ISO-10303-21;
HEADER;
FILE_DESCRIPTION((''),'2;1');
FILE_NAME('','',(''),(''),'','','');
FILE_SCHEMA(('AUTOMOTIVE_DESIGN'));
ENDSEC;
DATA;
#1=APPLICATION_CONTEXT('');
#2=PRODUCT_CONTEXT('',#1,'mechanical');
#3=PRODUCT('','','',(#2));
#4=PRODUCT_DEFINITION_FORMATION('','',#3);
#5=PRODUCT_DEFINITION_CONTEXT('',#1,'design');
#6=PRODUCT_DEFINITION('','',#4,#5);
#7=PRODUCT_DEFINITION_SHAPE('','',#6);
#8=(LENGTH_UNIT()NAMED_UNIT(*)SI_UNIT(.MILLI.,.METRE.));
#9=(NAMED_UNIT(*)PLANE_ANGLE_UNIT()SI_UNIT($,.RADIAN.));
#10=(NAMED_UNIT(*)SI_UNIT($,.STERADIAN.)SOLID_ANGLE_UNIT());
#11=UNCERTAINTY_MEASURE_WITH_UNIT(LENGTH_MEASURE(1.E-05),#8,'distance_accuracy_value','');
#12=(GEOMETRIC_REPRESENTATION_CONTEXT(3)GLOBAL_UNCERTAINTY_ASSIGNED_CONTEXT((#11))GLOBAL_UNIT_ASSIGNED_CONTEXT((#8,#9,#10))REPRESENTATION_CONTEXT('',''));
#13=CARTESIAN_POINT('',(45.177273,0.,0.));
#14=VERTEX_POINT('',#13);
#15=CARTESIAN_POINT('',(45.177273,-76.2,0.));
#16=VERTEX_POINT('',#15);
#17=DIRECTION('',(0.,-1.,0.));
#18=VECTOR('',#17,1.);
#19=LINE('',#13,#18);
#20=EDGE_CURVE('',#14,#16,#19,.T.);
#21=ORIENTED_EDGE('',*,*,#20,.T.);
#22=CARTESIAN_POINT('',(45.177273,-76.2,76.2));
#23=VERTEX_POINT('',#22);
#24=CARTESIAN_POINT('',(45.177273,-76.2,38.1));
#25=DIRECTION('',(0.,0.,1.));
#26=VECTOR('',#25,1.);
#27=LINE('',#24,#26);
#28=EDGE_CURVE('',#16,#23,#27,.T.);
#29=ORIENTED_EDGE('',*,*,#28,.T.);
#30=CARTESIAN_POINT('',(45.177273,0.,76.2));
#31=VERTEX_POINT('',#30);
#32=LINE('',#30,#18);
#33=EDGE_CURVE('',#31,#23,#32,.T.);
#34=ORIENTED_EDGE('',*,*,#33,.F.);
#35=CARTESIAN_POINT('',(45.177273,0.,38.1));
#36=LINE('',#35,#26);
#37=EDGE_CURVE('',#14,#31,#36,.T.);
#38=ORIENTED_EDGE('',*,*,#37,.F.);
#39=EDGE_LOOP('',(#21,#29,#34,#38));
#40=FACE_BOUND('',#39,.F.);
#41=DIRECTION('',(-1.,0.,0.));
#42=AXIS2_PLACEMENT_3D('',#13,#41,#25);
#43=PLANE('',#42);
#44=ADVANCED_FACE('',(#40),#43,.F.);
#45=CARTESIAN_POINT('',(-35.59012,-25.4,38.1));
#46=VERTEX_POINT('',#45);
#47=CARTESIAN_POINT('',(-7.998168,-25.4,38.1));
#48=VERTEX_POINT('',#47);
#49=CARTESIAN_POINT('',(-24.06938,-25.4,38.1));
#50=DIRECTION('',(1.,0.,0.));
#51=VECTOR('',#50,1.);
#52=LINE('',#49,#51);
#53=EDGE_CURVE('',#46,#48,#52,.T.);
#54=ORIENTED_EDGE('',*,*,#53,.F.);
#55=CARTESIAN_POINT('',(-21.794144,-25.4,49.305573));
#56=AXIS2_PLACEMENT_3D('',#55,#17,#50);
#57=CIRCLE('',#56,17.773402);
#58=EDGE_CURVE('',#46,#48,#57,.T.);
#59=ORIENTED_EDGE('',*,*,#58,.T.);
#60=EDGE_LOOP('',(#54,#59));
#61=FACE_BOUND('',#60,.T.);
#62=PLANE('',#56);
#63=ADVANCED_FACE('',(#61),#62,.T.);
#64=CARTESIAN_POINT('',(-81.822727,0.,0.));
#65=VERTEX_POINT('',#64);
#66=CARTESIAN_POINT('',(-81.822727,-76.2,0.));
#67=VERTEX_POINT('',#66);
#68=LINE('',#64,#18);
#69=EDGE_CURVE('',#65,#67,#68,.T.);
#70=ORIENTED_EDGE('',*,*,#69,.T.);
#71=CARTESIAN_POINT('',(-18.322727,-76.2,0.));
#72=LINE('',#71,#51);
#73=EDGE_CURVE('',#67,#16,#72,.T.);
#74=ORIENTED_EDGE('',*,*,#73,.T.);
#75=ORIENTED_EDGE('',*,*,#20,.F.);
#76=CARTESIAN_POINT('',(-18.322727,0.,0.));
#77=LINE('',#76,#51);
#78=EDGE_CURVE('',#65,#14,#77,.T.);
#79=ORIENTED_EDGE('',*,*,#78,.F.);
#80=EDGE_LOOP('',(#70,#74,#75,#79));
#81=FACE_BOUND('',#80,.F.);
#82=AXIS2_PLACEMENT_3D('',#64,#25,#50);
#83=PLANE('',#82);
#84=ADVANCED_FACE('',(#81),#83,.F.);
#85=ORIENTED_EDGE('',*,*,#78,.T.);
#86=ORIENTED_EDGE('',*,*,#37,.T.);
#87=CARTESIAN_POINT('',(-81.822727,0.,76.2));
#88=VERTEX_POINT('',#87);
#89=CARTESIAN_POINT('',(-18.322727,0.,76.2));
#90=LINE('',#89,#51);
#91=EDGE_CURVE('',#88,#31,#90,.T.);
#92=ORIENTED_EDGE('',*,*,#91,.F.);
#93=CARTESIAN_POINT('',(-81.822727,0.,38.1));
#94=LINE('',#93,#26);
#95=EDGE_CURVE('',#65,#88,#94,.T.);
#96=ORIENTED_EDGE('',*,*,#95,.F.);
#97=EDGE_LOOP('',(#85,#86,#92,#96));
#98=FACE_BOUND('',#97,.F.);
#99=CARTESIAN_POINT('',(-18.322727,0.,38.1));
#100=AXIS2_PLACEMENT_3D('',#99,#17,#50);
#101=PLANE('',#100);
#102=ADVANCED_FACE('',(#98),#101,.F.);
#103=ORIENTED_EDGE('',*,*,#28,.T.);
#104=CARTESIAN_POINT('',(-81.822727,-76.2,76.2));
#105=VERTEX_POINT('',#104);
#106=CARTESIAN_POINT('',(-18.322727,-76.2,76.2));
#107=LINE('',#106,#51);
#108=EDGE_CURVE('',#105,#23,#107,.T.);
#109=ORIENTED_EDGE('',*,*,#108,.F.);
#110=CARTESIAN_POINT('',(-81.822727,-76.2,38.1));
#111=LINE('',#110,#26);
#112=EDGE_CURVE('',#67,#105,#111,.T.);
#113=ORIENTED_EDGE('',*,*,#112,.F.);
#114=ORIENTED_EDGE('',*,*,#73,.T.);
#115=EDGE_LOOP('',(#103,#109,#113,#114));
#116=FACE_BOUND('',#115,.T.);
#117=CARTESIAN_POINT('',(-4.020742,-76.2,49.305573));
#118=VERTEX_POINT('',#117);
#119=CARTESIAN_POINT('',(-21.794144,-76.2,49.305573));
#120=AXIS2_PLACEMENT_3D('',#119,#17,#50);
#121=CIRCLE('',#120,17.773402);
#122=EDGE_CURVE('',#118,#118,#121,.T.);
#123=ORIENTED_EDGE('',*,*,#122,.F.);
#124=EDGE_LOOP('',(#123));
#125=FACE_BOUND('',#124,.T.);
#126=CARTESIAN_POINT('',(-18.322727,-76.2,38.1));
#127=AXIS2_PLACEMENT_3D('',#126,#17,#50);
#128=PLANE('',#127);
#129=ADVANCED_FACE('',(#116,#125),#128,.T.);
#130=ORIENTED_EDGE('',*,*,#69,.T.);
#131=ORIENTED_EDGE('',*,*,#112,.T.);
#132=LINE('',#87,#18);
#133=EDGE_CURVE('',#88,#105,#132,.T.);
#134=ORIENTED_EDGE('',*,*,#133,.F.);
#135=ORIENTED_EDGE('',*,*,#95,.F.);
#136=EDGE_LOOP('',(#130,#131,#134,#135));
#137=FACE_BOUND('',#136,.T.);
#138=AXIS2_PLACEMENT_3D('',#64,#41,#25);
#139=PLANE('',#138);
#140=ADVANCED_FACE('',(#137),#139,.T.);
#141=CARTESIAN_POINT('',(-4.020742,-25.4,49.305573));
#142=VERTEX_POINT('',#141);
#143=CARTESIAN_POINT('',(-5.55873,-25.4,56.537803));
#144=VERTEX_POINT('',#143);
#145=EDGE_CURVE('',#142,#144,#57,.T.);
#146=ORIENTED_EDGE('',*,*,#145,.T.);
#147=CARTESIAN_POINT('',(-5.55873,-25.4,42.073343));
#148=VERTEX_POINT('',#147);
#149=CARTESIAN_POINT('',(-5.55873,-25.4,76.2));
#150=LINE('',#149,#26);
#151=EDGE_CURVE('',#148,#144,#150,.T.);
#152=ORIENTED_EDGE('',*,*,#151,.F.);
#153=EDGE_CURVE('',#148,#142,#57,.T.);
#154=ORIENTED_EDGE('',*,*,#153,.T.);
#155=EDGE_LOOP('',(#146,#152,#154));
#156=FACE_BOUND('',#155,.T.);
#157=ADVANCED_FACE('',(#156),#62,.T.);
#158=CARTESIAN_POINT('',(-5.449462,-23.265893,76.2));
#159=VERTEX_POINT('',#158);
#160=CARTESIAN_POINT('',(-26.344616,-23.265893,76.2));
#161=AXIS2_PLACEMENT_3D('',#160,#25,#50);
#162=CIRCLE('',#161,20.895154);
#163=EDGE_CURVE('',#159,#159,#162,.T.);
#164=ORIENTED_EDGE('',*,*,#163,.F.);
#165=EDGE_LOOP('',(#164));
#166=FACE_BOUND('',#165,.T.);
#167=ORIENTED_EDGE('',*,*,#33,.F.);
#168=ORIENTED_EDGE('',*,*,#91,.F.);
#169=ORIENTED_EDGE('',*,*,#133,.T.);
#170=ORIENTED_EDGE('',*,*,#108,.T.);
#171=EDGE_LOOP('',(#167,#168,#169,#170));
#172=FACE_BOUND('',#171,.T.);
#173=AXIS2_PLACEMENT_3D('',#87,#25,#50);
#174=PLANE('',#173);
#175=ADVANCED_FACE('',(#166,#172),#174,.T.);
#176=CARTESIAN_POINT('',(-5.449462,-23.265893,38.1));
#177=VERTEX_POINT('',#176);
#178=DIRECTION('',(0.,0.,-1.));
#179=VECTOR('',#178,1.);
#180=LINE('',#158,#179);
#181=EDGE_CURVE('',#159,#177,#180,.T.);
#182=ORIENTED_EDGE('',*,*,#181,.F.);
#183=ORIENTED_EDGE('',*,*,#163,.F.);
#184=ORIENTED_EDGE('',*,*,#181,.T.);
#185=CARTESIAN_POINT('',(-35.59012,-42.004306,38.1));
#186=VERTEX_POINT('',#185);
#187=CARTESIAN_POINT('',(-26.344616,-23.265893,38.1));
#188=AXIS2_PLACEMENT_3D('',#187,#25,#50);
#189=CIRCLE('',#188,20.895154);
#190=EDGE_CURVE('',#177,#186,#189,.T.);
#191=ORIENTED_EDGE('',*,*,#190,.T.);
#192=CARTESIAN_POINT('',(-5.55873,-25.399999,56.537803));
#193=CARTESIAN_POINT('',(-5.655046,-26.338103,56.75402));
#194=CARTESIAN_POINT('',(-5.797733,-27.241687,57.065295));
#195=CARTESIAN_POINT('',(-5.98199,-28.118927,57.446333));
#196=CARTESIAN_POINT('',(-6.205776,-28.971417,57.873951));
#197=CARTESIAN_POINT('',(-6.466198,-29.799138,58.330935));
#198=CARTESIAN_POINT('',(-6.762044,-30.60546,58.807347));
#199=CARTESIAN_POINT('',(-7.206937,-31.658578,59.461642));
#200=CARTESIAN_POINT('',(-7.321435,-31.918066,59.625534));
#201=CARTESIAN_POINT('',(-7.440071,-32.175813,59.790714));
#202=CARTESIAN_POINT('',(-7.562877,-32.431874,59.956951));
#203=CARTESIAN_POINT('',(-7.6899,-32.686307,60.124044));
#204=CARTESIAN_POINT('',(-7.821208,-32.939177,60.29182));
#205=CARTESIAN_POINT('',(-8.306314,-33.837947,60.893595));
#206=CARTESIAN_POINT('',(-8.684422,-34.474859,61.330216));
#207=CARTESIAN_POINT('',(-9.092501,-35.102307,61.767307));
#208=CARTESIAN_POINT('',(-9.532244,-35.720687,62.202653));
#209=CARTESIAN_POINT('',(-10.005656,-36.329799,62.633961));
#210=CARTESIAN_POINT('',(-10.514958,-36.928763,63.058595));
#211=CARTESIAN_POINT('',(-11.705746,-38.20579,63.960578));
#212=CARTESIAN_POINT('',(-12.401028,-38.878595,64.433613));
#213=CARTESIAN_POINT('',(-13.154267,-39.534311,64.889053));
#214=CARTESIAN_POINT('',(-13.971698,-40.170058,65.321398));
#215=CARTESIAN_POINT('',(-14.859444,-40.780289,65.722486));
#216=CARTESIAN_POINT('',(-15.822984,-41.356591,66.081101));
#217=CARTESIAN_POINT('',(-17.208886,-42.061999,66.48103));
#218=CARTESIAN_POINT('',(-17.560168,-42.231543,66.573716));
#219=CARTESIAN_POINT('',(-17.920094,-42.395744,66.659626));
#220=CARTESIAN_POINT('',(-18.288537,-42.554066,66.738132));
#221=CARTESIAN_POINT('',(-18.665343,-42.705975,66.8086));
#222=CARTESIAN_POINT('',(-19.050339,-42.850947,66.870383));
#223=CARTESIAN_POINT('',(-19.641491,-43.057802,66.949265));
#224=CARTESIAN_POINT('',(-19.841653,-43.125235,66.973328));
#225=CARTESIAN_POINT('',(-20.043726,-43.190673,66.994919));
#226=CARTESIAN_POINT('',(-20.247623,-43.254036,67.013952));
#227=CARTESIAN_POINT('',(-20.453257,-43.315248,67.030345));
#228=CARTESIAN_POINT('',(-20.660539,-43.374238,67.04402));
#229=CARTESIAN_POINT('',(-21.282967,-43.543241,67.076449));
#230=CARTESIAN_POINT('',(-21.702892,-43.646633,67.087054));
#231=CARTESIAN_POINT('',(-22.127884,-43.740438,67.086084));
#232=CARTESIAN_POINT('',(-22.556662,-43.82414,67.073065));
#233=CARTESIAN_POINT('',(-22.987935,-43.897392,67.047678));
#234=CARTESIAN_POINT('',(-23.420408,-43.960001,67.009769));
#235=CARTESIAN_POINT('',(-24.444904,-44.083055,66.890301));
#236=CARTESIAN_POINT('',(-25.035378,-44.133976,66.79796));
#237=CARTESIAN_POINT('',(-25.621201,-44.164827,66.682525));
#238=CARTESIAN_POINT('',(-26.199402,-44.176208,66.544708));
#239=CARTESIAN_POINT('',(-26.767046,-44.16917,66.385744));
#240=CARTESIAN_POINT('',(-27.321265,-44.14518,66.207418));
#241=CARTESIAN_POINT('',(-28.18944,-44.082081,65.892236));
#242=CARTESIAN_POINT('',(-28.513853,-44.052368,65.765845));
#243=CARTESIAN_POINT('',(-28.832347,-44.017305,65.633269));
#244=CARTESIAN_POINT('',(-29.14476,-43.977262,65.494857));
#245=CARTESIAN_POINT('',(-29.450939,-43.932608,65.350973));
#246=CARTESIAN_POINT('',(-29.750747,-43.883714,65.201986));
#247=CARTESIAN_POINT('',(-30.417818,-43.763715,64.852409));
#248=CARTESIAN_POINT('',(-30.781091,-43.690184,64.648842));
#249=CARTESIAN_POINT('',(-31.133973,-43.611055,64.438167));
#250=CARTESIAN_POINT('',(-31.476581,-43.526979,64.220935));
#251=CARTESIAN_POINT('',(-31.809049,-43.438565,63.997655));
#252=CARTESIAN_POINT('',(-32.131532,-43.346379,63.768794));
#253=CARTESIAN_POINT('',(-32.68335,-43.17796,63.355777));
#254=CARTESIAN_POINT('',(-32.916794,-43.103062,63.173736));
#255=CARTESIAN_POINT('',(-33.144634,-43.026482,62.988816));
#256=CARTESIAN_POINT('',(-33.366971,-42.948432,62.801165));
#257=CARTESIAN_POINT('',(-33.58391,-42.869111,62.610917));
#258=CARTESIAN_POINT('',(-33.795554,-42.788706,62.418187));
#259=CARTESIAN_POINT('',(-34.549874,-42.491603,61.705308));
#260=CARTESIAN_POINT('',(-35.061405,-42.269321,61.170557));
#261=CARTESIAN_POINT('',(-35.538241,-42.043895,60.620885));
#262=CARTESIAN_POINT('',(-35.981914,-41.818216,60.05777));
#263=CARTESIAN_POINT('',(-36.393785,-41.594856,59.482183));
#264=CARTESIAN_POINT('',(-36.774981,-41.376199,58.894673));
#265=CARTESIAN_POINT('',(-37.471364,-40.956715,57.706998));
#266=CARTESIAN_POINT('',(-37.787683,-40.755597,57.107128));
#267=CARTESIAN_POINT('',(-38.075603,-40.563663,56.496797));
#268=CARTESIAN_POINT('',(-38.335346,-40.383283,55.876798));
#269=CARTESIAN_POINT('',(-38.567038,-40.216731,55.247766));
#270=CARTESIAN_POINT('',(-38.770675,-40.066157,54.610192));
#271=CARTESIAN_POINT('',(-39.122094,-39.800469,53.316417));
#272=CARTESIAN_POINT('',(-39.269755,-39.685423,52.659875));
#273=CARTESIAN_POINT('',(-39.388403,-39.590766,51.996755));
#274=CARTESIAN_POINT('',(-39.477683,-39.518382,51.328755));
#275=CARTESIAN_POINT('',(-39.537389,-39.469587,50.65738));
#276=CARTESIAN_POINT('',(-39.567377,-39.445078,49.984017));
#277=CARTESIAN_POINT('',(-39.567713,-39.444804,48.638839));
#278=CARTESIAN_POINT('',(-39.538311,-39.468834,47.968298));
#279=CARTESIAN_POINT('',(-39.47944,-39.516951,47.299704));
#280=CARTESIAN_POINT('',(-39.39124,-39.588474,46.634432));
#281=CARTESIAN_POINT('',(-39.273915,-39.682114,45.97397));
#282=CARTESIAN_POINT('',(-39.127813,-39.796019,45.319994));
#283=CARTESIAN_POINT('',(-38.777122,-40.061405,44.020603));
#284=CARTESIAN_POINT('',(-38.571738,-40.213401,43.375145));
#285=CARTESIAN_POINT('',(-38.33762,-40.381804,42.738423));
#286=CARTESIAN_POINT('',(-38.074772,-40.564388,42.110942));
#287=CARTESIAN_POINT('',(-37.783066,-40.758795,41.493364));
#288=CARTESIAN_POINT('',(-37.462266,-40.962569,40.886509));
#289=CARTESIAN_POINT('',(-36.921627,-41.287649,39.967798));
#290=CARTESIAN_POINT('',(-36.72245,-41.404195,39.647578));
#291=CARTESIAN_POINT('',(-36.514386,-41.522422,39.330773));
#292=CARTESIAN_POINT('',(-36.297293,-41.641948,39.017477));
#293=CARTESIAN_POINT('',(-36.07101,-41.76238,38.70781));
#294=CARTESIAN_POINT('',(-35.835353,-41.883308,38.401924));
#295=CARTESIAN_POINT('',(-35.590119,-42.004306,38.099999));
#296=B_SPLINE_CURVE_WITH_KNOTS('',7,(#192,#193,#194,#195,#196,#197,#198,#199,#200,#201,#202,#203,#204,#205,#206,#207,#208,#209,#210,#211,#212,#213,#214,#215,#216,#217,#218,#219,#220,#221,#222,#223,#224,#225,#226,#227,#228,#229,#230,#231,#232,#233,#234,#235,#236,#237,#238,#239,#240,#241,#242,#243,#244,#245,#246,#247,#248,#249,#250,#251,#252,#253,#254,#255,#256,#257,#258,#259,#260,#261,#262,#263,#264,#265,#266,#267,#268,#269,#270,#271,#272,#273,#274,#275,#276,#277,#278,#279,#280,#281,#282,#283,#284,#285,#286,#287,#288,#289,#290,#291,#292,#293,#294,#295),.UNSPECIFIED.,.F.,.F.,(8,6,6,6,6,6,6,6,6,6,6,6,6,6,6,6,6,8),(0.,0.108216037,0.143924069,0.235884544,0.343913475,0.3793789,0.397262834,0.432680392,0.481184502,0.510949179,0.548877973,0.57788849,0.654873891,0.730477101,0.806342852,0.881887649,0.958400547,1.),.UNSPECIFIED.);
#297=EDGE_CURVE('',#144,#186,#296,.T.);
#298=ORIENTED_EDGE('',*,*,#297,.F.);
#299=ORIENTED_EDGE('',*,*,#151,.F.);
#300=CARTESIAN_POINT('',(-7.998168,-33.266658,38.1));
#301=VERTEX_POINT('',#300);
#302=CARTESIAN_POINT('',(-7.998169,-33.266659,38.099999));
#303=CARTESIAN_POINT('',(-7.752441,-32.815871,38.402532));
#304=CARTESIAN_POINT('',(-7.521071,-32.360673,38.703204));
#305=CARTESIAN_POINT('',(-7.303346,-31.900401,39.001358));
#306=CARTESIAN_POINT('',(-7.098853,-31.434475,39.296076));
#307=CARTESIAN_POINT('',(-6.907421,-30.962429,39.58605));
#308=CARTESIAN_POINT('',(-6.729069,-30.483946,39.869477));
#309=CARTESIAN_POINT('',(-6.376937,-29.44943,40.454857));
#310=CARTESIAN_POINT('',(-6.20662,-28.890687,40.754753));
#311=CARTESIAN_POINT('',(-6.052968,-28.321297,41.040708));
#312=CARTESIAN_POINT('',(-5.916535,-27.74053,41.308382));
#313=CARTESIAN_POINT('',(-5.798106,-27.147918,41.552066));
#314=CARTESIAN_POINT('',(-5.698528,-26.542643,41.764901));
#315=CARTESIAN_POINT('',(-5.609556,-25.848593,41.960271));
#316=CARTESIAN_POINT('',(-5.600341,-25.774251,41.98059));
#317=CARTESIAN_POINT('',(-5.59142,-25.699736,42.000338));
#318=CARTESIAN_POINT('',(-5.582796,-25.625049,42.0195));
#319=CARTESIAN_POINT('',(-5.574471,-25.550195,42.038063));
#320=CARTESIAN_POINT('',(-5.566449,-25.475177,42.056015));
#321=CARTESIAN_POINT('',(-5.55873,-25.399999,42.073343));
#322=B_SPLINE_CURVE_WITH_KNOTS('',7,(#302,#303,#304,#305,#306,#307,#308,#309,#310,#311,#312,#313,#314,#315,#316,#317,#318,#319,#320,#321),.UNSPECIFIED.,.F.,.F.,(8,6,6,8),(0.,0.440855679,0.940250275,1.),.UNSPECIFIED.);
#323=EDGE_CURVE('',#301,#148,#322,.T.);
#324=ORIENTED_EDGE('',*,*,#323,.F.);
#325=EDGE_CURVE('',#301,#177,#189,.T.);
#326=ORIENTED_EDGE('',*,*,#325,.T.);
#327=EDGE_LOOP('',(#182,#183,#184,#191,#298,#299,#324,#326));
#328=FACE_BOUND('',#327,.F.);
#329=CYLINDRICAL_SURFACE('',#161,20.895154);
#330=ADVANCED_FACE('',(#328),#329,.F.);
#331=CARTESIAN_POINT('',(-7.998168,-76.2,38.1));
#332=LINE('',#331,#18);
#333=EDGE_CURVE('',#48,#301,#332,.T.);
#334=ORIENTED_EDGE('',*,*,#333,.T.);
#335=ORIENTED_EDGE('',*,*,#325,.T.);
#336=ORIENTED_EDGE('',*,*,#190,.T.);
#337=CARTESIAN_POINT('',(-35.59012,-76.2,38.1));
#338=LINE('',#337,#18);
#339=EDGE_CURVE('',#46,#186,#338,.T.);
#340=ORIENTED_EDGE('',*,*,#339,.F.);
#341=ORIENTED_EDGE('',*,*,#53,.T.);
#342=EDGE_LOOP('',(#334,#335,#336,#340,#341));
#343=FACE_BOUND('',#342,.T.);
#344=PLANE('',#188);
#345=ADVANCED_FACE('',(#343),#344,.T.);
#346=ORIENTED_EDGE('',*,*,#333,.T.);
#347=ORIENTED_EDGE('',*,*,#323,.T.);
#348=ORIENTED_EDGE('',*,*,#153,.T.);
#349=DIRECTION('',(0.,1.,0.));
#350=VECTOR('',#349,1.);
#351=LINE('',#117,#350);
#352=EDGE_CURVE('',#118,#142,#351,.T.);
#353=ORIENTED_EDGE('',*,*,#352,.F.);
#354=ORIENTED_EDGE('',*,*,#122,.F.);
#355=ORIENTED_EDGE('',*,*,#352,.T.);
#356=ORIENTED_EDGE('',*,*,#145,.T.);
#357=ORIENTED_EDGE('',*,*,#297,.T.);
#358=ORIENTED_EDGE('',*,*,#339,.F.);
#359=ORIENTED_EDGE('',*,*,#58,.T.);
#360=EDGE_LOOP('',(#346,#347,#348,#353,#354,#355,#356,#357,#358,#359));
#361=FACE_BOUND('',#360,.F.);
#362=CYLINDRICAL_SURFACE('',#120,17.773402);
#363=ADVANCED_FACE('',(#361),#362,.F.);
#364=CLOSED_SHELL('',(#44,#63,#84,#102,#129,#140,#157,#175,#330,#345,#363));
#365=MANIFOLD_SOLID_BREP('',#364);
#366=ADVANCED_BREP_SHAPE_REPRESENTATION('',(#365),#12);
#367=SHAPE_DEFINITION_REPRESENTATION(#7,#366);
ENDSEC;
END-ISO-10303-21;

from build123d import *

# Parameters (mm, degrees)
F0_W     = 127
F0_H     = 76.2
F1_DEPTH = 76.2
F2_R     = 20.895154
F3_DEPTH = 38.1
F4_R     = 17.773402
F5_DEPTH = 50.8


with BuildPart() as f1:
    # F0 (on Front) → F1 (new body)
    with BuildSketch(Plane.XZ):
        with Locations((-18.322727, 38.1)):
            Rectangle(F0_W, F0_H)
    extrude(amount=F1_DEPTH)

    # F2 (on face) → F3 (cut)
    with BuildSketch(Plane.XY.offset(76.2)):
        with Locations((-26.344616, -23.265893)):
            Circle(F2_R)
    extrude(amount=-F3_DEPTH, mode=Mode.SUBTRACT)

    # F4 (on face) → F5 (cut)
    with BuildSketch(Plane.XZ.offset(76.2)):
        with Locations((-21.794144, 49.305573)):
            Circle(F4_R)
    extrude(amount=-F5_DEPTH, mode=Mode.SUBTRACT)


solid = f1.part
